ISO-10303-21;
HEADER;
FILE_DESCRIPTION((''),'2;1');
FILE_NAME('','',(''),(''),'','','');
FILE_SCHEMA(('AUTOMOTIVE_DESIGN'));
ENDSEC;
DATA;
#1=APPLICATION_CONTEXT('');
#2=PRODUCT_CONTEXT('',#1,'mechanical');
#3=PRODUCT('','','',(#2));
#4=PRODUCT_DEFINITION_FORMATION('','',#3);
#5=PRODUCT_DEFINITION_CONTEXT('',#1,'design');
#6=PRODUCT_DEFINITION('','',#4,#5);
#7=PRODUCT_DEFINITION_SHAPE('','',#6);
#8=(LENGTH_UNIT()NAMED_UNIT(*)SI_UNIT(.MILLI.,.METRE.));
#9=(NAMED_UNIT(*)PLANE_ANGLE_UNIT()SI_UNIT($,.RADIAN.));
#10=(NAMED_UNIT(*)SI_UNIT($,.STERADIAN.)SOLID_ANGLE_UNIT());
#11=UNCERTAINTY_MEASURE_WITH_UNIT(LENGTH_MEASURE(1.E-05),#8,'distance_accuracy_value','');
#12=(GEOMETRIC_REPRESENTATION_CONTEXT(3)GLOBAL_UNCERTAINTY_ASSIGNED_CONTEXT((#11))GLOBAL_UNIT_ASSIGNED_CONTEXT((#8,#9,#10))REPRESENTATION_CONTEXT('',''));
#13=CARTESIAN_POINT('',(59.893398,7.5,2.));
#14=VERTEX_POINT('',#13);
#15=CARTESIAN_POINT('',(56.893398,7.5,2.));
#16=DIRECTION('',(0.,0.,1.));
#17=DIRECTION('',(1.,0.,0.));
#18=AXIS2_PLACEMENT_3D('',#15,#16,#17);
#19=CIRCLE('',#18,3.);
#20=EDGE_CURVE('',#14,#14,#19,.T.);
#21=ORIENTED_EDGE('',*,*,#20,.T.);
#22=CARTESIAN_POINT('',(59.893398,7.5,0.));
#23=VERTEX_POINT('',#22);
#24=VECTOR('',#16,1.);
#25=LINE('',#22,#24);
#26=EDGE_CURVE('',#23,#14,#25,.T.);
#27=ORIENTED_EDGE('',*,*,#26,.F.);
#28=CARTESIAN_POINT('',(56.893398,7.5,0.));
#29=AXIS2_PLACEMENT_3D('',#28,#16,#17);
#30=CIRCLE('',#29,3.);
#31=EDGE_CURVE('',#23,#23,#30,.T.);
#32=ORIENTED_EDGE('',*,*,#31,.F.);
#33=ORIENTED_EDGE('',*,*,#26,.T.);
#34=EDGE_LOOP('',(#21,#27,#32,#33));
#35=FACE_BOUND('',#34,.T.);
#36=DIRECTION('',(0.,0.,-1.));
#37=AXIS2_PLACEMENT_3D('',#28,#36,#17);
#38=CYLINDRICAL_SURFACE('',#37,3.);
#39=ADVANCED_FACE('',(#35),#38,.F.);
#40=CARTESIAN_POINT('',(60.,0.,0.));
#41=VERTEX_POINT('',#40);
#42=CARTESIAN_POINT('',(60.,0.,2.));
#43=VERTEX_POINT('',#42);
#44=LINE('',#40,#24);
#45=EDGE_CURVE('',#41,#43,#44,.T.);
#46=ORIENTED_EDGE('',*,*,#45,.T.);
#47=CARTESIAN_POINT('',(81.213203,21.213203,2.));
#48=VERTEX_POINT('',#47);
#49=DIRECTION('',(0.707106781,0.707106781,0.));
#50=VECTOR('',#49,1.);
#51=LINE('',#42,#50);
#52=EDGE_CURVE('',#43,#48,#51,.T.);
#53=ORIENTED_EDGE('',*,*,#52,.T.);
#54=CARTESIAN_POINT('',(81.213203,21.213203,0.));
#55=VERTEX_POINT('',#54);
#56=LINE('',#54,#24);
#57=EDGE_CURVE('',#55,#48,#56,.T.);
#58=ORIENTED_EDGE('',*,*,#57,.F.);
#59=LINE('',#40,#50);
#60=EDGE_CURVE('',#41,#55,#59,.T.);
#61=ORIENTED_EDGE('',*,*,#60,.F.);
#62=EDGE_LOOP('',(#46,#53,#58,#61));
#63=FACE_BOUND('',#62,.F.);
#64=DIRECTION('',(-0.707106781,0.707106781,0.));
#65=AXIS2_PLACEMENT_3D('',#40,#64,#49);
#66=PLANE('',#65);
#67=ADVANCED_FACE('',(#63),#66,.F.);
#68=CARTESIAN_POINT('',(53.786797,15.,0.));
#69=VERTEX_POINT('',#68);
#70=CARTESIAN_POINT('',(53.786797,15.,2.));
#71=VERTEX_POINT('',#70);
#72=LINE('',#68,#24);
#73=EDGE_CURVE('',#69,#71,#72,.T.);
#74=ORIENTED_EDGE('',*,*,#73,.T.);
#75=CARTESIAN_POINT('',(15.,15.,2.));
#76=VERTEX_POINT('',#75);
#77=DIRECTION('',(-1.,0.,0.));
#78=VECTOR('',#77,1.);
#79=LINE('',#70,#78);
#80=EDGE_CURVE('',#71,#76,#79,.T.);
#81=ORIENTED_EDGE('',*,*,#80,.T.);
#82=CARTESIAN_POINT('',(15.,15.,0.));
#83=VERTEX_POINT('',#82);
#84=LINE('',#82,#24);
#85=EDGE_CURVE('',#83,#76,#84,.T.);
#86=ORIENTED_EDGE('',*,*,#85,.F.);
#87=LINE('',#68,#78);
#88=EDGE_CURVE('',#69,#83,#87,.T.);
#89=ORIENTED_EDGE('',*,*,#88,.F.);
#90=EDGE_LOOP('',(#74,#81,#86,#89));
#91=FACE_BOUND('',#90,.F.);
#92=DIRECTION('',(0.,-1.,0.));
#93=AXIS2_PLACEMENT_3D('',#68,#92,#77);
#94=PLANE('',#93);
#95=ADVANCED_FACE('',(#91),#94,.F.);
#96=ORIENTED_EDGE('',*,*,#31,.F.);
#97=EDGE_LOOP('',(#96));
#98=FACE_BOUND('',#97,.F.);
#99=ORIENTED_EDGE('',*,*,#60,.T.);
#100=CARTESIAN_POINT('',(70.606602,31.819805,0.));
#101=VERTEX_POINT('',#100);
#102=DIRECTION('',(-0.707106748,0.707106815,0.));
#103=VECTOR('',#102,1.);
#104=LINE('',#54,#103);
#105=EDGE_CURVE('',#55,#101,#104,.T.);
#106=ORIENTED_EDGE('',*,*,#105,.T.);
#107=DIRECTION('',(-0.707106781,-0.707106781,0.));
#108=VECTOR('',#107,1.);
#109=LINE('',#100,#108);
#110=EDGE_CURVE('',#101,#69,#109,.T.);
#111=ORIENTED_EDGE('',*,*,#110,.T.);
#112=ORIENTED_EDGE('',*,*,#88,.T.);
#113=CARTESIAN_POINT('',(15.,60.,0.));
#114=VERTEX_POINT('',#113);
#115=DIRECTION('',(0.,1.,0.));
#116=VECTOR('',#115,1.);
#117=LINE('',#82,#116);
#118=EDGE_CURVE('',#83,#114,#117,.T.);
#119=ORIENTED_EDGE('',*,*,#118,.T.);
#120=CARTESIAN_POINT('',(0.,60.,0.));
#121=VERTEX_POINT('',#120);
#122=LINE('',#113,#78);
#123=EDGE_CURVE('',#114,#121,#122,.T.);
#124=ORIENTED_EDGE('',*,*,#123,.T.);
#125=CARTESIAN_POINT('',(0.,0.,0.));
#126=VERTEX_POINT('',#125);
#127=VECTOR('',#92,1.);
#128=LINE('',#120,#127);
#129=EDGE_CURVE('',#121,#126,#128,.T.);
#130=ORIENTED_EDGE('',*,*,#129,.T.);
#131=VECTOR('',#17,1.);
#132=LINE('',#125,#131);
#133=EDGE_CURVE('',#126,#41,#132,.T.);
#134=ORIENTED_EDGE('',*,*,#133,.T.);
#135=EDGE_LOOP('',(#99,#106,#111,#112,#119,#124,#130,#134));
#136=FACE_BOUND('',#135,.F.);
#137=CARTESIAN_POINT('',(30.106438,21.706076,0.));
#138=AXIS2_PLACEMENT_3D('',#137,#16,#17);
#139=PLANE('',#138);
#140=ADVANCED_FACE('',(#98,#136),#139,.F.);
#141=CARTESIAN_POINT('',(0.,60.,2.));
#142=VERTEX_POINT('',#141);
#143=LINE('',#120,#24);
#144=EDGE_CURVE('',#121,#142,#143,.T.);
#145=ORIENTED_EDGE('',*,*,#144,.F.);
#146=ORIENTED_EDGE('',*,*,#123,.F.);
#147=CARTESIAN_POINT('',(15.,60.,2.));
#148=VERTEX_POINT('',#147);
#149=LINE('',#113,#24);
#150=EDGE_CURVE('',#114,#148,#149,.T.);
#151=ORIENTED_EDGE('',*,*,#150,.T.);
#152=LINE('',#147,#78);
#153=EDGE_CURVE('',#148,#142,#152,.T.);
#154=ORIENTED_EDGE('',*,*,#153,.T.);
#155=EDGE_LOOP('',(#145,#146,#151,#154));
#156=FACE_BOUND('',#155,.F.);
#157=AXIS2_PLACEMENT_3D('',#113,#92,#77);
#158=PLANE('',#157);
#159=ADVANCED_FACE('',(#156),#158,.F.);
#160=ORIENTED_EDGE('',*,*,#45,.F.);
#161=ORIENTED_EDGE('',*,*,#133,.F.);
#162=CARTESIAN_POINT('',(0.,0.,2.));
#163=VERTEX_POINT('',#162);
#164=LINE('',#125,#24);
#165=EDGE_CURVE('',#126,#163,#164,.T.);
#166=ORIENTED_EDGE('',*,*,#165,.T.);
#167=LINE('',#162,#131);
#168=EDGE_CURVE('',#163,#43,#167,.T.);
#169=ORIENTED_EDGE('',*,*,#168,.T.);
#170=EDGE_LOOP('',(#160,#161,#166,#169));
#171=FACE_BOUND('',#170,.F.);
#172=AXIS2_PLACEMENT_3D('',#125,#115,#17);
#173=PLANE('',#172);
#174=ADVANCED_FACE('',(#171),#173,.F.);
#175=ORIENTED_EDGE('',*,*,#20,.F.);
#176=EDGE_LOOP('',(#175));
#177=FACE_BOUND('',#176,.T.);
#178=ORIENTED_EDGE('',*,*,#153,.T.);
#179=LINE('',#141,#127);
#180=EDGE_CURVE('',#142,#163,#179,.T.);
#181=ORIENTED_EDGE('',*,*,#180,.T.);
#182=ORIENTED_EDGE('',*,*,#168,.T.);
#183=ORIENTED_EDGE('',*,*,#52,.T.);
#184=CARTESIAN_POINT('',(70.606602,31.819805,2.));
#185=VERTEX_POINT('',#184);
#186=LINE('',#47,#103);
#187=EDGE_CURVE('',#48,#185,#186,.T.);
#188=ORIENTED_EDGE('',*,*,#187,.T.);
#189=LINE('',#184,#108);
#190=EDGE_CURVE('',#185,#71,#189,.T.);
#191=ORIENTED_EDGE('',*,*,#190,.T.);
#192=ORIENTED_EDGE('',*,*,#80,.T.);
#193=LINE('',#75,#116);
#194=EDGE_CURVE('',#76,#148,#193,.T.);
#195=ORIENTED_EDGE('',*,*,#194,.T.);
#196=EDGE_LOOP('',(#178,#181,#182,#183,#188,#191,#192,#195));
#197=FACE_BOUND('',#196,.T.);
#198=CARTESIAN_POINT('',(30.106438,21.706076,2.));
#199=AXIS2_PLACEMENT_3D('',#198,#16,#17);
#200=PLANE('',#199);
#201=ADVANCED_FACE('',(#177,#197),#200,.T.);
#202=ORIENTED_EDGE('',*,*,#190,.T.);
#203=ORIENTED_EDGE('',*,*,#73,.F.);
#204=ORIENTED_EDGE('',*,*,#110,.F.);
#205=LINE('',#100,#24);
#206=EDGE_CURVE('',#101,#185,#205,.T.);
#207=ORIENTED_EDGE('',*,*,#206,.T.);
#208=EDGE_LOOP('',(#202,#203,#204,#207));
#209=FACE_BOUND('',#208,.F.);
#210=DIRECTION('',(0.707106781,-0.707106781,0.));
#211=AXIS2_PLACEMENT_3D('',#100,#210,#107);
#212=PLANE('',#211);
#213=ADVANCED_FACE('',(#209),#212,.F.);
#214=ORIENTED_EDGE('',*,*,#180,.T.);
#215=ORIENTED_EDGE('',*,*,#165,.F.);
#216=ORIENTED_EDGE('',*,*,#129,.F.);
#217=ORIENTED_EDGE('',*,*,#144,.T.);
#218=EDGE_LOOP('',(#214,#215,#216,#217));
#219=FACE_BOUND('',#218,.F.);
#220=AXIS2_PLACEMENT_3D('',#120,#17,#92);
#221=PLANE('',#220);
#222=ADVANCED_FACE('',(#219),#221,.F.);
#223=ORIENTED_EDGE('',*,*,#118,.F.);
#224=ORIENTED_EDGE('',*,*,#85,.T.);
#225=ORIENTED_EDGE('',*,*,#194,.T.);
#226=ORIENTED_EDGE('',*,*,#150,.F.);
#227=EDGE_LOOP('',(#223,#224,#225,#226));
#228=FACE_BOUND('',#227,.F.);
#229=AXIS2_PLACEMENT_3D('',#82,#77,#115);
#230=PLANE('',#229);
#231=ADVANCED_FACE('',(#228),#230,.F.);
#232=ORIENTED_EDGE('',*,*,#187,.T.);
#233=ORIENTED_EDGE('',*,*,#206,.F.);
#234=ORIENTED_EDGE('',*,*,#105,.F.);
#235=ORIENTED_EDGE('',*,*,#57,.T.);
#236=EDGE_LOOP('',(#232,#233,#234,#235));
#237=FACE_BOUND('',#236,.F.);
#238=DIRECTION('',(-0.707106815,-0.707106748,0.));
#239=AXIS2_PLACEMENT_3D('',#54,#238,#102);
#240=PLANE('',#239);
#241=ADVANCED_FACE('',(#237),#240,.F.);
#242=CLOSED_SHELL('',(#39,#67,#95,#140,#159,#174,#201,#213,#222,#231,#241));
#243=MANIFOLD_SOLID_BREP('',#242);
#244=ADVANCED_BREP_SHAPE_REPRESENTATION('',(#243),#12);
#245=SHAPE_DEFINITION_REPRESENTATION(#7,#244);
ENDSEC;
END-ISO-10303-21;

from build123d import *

# Parameters (mm, degrees)
F0_R     = 3
F1_DEPTH = 2


with BuildPart() as f1:
    # F0 (on Top) → F1 (new body)
    with BuildSketch(Plane.XY):
        Polygon((15, 60), (0, 60), (0, 0), (60, 0), (81.213203, 21.213203), (70.606602, 31.819805), (53.786797, 15), (15, 15), align=None)
        with Locations((56.893398, 7.5)):
            Circle(F0_R, mode=Mode.SUBTRACT)
    extrude(amount=F1_DEPTH)


solid = f1.part
